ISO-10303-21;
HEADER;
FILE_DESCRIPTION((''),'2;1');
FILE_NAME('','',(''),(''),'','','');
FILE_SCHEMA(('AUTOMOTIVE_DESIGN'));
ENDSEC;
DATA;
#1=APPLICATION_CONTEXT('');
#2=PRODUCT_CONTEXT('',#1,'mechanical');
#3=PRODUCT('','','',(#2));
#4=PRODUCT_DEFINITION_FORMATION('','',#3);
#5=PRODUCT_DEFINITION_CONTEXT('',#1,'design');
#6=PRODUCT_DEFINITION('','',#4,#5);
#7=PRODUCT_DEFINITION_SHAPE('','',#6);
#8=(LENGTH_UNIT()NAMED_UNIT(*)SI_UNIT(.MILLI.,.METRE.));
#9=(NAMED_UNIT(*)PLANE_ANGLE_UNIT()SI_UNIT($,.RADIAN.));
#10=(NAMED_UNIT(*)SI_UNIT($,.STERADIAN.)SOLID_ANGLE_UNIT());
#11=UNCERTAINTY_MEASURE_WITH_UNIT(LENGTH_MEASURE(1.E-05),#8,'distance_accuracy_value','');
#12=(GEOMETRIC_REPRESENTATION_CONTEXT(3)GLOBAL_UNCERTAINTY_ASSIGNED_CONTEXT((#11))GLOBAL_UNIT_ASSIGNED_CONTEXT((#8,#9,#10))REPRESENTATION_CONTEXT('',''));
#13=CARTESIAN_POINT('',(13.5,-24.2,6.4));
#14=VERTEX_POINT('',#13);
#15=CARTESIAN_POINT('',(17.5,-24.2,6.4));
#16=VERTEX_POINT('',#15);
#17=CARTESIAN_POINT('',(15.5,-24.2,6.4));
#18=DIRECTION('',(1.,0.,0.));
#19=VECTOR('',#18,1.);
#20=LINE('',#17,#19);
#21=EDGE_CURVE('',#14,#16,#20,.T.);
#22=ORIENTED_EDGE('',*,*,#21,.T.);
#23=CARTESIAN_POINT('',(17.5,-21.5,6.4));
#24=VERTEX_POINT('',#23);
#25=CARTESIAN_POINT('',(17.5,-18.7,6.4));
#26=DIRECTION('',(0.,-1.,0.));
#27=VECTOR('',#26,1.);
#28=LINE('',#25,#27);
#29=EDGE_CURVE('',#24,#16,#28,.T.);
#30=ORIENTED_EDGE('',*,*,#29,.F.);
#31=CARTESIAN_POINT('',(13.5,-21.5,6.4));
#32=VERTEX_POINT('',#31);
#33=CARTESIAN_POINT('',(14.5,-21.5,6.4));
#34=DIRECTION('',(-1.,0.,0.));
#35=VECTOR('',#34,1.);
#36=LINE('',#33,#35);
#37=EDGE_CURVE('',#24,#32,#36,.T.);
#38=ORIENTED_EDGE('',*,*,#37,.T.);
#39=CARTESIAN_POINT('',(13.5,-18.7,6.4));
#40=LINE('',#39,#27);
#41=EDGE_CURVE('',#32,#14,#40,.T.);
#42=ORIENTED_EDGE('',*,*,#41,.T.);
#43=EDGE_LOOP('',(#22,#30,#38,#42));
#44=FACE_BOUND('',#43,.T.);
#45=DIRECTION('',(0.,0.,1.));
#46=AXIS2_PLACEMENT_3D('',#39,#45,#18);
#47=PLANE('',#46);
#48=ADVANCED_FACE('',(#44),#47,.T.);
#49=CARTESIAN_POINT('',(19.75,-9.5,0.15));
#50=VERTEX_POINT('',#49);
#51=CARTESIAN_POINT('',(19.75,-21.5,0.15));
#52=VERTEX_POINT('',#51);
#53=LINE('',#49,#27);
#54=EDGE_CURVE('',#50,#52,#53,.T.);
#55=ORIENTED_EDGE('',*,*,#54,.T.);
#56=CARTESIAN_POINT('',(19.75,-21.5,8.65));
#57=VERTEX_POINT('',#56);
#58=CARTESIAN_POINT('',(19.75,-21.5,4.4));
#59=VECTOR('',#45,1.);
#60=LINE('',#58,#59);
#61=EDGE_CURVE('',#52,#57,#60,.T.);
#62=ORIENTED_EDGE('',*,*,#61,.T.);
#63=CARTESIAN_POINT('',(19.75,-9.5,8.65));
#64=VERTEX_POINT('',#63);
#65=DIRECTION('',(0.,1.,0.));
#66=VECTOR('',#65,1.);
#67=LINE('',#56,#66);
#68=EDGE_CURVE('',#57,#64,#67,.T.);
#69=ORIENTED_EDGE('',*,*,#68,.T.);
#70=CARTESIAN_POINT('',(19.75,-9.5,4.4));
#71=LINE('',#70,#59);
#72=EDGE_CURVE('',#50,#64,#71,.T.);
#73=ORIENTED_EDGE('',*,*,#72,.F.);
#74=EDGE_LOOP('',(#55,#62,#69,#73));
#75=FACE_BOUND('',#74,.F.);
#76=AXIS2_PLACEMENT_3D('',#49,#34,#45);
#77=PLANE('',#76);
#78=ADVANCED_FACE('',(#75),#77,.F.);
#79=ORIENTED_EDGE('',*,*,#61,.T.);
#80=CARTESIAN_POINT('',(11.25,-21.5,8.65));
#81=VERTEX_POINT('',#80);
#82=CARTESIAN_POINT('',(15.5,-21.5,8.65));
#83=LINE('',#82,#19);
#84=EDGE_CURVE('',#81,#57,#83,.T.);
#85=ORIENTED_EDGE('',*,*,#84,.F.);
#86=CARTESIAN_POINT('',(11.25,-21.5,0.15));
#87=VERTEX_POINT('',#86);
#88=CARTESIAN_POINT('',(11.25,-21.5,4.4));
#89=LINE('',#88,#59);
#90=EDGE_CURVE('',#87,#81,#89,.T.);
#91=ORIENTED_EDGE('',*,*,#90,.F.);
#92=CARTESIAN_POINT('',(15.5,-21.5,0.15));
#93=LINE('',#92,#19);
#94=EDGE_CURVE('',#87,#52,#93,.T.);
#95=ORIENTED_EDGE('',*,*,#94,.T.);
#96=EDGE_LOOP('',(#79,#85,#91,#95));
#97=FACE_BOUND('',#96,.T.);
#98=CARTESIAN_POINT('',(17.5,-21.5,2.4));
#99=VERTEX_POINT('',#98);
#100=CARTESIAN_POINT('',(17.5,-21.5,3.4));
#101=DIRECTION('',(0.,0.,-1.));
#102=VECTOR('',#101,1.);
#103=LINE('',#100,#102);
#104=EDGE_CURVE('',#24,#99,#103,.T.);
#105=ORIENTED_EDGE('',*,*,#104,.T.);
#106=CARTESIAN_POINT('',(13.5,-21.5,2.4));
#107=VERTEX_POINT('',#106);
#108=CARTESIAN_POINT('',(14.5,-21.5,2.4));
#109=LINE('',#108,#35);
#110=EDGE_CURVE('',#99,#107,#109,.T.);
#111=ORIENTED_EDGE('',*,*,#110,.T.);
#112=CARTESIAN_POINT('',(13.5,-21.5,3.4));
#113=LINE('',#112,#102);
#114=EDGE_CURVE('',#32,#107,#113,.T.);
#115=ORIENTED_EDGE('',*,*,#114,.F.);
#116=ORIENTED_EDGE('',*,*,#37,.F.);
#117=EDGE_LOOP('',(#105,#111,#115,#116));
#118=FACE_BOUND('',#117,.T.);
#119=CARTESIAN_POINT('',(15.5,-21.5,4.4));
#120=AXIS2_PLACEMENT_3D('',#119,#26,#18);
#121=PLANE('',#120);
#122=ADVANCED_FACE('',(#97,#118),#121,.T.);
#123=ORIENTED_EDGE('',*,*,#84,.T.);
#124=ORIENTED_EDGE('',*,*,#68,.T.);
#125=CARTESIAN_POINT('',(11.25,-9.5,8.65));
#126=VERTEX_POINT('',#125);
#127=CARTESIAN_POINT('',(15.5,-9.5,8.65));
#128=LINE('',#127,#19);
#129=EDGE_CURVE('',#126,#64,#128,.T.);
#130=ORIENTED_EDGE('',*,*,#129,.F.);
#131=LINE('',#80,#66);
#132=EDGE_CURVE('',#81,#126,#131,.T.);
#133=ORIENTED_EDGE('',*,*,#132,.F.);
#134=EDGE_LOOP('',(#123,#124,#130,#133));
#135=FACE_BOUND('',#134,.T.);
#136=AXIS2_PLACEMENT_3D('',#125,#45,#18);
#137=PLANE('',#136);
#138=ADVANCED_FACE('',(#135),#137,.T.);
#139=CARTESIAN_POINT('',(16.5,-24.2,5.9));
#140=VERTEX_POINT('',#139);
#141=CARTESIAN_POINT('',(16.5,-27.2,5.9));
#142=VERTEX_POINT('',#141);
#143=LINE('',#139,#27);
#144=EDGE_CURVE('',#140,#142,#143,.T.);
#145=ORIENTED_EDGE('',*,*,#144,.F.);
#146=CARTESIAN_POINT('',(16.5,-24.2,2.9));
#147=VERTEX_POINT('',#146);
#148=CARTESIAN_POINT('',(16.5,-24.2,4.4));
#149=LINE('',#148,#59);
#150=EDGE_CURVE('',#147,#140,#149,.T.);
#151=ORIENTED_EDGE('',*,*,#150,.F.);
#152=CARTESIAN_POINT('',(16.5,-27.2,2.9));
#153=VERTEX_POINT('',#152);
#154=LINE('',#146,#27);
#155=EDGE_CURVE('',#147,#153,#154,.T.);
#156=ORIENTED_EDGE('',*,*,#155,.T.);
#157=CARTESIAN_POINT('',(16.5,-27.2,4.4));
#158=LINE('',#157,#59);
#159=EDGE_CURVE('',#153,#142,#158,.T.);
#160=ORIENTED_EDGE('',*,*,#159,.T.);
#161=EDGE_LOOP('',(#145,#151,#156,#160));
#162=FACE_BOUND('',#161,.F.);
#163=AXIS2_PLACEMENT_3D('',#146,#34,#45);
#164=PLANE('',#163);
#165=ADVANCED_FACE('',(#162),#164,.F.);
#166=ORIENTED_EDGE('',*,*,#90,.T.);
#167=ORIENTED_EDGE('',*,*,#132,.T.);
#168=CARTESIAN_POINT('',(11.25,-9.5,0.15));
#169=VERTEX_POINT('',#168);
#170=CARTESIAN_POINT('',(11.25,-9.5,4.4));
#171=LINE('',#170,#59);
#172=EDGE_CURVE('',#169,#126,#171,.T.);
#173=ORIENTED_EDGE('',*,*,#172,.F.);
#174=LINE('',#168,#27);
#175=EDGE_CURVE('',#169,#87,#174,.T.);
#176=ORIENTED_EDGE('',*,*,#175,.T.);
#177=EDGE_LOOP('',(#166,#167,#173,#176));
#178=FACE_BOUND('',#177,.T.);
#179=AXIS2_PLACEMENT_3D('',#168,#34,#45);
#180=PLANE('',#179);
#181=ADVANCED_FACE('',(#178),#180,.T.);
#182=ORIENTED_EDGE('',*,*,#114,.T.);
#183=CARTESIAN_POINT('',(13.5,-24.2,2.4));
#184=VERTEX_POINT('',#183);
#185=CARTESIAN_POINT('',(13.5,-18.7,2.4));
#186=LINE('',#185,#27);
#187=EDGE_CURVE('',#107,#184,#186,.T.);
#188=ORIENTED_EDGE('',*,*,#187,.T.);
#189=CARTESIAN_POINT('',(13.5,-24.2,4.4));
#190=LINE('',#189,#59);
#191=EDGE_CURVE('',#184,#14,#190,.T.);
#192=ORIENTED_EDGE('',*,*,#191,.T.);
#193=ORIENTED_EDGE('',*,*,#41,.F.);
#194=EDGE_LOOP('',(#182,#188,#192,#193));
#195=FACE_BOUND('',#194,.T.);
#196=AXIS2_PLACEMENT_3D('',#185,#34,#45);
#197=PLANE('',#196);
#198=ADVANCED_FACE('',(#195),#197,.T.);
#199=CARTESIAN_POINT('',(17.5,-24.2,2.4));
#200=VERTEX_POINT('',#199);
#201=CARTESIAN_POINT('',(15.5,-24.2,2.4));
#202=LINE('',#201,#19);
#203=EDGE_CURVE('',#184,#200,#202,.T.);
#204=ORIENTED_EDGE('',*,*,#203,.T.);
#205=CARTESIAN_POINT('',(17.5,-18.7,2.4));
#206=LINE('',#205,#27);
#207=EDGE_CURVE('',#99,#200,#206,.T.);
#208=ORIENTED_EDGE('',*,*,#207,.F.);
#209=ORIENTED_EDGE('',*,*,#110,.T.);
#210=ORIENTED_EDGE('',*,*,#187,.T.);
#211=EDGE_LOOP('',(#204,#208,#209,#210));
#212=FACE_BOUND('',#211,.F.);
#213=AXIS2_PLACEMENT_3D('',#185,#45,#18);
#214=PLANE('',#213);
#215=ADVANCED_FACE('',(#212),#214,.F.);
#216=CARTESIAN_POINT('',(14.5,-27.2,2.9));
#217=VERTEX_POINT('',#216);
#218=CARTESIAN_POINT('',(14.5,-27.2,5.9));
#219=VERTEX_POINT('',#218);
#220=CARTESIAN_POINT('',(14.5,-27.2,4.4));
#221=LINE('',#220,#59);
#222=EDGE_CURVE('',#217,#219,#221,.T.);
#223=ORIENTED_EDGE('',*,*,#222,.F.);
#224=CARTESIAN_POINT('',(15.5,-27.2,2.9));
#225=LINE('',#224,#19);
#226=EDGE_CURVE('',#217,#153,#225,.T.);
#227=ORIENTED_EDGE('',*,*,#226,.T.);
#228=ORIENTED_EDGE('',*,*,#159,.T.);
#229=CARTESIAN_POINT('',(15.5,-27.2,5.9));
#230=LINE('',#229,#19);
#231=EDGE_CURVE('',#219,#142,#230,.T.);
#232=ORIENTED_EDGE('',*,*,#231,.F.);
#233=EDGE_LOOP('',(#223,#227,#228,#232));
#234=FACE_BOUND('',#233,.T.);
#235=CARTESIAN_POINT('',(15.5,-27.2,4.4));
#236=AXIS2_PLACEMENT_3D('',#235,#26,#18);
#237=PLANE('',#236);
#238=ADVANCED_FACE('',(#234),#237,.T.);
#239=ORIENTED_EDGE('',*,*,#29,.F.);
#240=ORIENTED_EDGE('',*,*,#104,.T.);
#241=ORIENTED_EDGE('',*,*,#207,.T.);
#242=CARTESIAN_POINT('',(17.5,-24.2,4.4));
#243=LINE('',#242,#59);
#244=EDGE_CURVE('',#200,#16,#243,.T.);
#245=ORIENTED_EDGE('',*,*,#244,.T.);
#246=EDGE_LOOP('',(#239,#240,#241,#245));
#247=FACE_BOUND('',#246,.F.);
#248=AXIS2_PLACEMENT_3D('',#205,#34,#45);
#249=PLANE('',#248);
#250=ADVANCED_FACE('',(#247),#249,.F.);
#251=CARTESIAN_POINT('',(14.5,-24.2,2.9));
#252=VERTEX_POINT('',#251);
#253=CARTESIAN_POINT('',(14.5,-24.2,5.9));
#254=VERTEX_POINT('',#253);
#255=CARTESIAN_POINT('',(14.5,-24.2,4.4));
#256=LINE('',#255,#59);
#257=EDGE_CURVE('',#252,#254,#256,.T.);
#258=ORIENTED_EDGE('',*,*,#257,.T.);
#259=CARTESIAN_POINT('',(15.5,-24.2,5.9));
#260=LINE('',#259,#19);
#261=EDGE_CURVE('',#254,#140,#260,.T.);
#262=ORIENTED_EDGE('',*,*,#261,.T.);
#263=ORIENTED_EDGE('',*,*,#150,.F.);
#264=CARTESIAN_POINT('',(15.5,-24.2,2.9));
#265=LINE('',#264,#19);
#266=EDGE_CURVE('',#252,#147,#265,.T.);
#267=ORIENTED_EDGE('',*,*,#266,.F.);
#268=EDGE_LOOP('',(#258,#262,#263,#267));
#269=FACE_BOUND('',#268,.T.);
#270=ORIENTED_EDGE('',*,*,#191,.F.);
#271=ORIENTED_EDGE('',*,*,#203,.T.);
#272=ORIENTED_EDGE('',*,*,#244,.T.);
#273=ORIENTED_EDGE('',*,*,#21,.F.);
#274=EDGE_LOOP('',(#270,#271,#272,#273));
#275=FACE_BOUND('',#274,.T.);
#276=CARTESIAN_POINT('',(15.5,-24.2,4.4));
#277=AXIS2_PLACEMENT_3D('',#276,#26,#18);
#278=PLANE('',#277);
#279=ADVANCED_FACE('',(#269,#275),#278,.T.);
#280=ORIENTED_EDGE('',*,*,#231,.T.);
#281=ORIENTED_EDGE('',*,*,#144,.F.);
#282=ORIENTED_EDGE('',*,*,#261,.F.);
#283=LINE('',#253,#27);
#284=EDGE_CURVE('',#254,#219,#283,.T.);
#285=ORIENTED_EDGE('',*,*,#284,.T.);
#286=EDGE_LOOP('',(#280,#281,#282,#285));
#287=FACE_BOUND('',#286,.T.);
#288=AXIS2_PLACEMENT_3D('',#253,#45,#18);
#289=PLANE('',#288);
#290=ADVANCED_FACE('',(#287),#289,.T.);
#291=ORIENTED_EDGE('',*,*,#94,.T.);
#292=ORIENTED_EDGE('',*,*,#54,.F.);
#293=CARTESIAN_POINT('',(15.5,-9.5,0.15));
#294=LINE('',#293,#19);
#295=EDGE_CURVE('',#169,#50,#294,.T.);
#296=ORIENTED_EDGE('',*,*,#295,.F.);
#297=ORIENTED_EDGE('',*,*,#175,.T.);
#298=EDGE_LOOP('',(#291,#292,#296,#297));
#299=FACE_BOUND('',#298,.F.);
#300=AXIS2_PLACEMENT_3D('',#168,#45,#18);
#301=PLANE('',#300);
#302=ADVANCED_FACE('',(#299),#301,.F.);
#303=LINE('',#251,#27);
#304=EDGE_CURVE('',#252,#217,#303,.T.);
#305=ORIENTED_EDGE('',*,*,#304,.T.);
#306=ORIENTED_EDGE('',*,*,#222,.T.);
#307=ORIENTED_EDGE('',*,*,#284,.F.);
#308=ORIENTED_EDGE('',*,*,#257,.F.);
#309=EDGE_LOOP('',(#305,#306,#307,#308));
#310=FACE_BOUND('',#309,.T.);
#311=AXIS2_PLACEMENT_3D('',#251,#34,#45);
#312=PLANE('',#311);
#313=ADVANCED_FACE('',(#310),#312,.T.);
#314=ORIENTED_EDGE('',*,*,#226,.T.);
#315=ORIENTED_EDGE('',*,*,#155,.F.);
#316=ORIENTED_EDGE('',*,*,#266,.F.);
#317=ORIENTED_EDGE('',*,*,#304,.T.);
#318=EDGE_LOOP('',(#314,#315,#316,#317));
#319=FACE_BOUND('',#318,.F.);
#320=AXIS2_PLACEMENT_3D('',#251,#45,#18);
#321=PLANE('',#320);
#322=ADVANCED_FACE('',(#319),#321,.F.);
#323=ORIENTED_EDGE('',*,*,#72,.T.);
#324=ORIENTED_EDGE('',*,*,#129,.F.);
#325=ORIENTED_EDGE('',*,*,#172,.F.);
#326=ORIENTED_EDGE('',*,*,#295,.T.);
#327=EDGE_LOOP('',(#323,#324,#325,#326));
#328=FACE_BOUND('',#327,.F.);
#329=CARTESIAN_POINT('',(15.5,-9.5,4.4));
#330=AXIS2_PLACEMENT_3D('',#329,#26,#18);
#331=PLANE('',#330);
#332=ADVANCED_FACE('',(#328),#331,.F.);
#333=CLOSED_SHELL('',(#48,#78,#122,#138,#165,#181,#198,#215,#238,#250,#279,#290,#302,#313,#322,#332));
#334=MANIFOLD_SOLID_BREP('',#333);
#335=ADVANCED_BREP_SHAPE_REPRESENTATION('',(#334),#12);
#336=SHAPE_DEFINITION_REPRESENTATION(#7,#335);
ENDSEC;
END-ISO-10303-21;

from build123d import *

# Parameters (mm, degrees)
BOX075_W                = 4
BOX075_H                = 4
BOX075_DEPTH            = 5.5
BOX076_W                = 8.5
BOX076_H                = 8.5
BOX076_DEPTH            = 3.5
BOX078_W                = 2
BOX078_H                = 3
BOX078_DEPTH            = 3
BOX074_W                = 8.5
BOX074_H                = 8.5
BOX074_DEPTH            = 8.5
BODY008_PLACEMENT_ANGLE = 90


with BuildPart() as plunger:
    # Box075 → Box075 (new body)
    with BuildSketch(Plane(origin=(-2, -2, 5.7), x_dir=(1, 0, 0), z_dir=(0, 0, 1))):
        with Locations((2, 2)):
            Rectangle(BOX075_W, BOX075_H)
    extrude(amount=BOX075_DEPTH)


with BuildPart() as pins:
    # Box076 → Box076 (new body)
    with BuildSketch(Plane(origin=(-4.25, -4.25, -3.5), x_dir=(1, 0, 0), z_dir=(0, 0, 1))):
        with Locations((4.25, 4.25)):
            Rectangle(BOX076_W, BOX076_H)
    extrude(amount=BOX076_DEPTH)


with BuildPart() as plunger001:
    # Box078 → Box078 (new body)
    with BuildSketch(Plane(origin=(-1, -1.5, 11.2), x_dir=(1, 0, 0), z_dir=(0, 0, 1))):
        with Locations((1, 1.5)):
            Rectangle(BOX078_W, BOX078_H)
    extrude(amount=BOX078_DEPTH)


with BuildPart() as switch:
    # Box074 → Box074 (new body)
    with BuildSketch(Plane(origin=(-4.25, -4.25, 0), x_dir=(1, 0, 0), z_dir=(0, 0, 1))):
        with Locations((4.25, 4.25)):
            Rectangle(BOX074_W, BOX074_H)
    extrude(amount=BOX074_DEPTH)

    # Fusion024: union plunger, pins, plunger001
    add(plunger.part)
    add(pins.part)
    add(plunger001.part)


with BuildPart() as switch_1:
    # Body008 placement: moved
    add(switch.part.moved(Location((15.5, -13, 4.4))).rotate(Axis((15.5, -13, 4.4), (1, 0, 0)), BODY008_PLACEMENT_ANGLE))


solid = switch_1.part
